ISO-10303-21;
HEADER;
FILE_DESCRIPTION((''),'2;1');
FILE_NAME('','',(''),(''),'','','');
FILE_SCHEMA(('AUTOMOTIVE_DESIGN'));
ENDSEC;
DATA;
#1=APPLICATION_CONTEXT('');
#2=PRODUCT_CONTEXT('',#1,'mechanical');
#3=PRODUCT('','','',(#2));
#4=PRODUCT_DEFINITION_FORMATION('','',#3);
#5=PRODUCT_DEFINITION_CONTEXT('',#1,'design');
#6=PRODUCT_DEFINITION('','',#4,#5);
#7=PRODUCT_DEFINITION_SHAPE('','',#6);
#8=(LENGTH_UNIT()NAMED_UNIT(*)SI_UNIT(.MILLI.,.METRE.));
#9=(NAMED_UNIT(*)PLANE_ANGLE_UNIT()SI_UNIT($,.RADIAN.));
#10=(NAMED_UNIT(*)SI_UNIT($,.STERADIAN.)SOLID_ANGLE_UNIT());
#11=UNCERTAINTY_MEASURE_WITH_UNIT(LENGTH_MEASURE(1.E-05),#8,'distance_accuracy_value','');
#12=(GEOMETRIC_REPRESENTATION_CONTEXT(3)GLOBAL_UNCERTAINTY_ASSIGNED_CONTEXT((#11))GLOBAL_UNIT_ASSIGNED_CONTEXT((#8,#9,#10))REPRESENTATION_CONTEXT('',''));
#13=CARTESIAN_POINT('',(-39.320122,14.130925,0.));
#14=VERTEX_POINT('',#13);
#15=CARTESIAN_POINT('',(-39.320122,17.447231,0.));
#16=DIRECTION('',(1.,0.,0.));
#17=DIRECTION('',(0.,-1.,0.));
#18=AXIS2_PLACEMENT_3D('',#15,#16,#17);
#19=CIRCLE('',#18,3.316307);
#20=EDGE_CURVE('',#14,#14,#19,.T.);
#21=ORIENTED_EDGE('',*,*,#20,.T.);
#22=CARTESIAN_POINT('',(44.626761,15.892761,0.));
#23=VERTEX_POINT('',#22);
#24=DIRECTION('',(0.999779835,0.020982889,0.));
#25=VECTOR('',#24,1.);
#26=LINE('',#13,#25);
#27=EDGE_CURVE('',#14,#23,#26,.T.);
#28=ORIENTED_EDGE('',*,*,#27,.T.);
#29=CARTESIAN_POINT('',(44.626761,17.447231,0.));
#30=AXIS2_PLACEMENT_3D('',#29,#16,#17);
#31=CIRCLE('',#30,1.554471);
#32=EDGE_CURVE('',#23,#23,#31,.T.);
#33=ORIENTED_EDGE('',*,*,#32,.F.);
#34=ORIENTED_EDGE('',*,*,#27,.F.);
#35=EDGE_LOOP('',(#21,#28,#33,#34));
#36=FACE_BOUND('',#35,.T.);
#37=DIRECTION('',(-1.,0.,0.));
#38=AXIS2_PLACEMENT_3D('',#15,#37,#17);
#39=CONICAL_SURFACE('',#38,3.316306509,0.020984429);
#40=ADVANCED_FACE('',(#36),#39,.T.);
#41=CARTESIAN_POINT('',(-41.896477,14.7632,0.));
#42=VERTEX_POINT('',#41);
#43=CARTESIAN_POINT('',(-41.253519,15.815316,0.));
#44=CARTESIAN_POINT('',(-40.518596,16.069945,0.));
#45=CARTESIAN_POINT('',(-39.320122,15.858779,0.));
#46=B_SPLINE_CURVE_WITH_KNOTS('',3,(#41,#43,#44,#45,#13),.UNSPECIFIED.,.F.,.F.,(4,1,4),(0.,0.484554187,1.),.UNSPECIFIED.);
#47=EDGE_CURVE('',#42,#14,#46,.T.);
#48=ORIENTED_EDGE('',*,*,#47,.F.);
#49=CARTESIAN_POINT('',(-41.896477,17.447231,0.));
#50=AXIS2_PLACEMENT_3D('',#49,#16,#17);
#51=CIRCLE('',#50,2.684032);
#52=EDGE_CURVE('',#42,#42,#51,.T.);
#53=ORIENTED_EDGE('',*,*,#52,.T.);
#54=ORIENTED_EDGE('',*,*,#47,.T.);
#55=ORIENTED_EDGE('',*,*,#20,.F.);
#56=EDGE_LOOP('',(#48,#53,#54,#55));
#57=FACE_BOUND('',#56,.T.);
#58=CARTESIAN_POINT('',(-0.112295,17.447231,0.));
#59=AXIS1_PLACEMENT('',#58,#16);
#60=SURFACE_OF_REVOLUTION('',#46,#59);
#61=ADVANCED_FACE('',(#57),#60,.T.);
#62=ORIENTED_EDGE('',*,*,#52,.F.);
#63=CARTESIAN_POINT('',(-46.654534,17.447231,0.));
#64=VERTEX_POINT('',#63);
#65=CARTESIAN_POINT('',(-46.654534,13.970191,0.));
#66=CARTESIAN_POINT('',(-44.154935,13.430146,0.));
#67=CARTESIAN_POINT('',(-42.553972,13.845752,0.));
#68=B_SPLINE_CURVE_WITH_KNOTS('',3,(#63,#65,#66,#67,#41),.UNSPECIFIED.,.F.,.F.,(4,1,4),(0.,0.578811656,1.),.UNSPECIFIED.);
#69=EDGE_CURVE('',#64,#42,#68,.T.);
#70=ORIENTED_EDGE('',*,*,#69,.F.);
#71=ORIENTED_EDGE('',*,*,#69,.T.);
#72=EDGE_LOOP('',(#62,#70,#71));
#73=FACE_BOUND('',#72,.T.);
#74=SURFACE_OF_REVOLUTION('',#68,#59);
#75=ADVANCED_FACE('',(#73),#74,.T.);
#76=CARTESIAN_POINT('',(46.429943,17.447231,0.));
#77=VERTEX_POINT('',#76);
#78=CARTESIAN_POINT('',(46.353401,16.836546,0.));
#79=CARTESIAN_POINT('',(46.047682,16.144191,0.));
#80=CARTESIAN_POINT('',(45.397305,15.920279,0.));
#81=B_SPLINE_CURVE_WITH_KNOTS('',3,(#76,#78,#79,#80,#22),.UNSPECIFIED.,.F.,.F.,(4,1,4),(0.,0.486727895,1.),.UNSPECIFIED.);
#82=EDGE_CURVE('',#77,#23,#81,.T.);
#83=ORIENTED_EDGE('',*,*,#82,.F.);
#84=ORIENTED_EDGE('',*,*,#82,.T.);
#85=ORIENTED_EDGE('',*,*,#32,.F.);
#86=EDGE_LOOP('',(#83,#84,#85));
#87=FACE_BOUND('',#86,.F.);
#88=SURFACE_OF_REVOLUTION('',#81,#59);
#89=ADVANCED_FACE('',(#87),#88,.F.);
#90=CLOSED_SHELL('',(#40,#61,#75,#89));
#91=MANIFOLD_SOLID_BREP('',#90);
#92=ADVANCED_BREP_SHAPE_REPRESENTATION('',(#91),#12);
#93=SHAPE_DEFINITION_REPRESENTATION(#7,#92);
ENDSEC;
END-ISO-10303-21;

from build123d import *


with BuildPart() as f1:
    # F0 (on Top) → F1 (revolve)
    with BuildSketch(Plane.XY):
        with BuildLine():
            Line((46.4299432933, 17.4472313374), (-46.6545335948, 17.4472313374))
            add(Edge.make_bspline(
                [(-46.6545335948, 17.4472313374), (-46.6545335948, 13.9701906592), (-44.1549346274, 13.4301458272), (-42.5539724529, 13.8457519934), (-41.8964773417, 14.7631997243)],
                knots=[0, 0, 0, 0, 0.5788116561, 1, 1, 1, 1], degree=3))
            add(Edge.make_bspline(
                [(-41.8964773417, 14.7631997243), (-41.2535189619, 15.8153157892), (-40.5185959248, 16.0699452092), (-39.3201224506, 15.85877873), (-39.3201224506, 14.1309248284)],
                knots=[0, 0, 0, 0, 0.4845541868, 1, 1, 1, 1], degree=3))
            Line((-39.3201224506, 14.1309248284), (44.6267612278, 15.8927608281))
            add(Edge.make_bspline(
                [(46.4299432933, 17.4472313374), (46.3534014447, 16.8365464803), (46.0476823411, 16.1441906512), (45.3973053883, 15.9202793874), (44.6267612278, 15.8927608281)],
                knots=[0, 0, 0, 0, 0.4867278953, 1, 1, 1, 1], degree=3))
        make_face()
    revolve(axis=Axis((-0.1122951508, 17.4472313374, 0), (1, 0, 0)))


solid = f1.part
